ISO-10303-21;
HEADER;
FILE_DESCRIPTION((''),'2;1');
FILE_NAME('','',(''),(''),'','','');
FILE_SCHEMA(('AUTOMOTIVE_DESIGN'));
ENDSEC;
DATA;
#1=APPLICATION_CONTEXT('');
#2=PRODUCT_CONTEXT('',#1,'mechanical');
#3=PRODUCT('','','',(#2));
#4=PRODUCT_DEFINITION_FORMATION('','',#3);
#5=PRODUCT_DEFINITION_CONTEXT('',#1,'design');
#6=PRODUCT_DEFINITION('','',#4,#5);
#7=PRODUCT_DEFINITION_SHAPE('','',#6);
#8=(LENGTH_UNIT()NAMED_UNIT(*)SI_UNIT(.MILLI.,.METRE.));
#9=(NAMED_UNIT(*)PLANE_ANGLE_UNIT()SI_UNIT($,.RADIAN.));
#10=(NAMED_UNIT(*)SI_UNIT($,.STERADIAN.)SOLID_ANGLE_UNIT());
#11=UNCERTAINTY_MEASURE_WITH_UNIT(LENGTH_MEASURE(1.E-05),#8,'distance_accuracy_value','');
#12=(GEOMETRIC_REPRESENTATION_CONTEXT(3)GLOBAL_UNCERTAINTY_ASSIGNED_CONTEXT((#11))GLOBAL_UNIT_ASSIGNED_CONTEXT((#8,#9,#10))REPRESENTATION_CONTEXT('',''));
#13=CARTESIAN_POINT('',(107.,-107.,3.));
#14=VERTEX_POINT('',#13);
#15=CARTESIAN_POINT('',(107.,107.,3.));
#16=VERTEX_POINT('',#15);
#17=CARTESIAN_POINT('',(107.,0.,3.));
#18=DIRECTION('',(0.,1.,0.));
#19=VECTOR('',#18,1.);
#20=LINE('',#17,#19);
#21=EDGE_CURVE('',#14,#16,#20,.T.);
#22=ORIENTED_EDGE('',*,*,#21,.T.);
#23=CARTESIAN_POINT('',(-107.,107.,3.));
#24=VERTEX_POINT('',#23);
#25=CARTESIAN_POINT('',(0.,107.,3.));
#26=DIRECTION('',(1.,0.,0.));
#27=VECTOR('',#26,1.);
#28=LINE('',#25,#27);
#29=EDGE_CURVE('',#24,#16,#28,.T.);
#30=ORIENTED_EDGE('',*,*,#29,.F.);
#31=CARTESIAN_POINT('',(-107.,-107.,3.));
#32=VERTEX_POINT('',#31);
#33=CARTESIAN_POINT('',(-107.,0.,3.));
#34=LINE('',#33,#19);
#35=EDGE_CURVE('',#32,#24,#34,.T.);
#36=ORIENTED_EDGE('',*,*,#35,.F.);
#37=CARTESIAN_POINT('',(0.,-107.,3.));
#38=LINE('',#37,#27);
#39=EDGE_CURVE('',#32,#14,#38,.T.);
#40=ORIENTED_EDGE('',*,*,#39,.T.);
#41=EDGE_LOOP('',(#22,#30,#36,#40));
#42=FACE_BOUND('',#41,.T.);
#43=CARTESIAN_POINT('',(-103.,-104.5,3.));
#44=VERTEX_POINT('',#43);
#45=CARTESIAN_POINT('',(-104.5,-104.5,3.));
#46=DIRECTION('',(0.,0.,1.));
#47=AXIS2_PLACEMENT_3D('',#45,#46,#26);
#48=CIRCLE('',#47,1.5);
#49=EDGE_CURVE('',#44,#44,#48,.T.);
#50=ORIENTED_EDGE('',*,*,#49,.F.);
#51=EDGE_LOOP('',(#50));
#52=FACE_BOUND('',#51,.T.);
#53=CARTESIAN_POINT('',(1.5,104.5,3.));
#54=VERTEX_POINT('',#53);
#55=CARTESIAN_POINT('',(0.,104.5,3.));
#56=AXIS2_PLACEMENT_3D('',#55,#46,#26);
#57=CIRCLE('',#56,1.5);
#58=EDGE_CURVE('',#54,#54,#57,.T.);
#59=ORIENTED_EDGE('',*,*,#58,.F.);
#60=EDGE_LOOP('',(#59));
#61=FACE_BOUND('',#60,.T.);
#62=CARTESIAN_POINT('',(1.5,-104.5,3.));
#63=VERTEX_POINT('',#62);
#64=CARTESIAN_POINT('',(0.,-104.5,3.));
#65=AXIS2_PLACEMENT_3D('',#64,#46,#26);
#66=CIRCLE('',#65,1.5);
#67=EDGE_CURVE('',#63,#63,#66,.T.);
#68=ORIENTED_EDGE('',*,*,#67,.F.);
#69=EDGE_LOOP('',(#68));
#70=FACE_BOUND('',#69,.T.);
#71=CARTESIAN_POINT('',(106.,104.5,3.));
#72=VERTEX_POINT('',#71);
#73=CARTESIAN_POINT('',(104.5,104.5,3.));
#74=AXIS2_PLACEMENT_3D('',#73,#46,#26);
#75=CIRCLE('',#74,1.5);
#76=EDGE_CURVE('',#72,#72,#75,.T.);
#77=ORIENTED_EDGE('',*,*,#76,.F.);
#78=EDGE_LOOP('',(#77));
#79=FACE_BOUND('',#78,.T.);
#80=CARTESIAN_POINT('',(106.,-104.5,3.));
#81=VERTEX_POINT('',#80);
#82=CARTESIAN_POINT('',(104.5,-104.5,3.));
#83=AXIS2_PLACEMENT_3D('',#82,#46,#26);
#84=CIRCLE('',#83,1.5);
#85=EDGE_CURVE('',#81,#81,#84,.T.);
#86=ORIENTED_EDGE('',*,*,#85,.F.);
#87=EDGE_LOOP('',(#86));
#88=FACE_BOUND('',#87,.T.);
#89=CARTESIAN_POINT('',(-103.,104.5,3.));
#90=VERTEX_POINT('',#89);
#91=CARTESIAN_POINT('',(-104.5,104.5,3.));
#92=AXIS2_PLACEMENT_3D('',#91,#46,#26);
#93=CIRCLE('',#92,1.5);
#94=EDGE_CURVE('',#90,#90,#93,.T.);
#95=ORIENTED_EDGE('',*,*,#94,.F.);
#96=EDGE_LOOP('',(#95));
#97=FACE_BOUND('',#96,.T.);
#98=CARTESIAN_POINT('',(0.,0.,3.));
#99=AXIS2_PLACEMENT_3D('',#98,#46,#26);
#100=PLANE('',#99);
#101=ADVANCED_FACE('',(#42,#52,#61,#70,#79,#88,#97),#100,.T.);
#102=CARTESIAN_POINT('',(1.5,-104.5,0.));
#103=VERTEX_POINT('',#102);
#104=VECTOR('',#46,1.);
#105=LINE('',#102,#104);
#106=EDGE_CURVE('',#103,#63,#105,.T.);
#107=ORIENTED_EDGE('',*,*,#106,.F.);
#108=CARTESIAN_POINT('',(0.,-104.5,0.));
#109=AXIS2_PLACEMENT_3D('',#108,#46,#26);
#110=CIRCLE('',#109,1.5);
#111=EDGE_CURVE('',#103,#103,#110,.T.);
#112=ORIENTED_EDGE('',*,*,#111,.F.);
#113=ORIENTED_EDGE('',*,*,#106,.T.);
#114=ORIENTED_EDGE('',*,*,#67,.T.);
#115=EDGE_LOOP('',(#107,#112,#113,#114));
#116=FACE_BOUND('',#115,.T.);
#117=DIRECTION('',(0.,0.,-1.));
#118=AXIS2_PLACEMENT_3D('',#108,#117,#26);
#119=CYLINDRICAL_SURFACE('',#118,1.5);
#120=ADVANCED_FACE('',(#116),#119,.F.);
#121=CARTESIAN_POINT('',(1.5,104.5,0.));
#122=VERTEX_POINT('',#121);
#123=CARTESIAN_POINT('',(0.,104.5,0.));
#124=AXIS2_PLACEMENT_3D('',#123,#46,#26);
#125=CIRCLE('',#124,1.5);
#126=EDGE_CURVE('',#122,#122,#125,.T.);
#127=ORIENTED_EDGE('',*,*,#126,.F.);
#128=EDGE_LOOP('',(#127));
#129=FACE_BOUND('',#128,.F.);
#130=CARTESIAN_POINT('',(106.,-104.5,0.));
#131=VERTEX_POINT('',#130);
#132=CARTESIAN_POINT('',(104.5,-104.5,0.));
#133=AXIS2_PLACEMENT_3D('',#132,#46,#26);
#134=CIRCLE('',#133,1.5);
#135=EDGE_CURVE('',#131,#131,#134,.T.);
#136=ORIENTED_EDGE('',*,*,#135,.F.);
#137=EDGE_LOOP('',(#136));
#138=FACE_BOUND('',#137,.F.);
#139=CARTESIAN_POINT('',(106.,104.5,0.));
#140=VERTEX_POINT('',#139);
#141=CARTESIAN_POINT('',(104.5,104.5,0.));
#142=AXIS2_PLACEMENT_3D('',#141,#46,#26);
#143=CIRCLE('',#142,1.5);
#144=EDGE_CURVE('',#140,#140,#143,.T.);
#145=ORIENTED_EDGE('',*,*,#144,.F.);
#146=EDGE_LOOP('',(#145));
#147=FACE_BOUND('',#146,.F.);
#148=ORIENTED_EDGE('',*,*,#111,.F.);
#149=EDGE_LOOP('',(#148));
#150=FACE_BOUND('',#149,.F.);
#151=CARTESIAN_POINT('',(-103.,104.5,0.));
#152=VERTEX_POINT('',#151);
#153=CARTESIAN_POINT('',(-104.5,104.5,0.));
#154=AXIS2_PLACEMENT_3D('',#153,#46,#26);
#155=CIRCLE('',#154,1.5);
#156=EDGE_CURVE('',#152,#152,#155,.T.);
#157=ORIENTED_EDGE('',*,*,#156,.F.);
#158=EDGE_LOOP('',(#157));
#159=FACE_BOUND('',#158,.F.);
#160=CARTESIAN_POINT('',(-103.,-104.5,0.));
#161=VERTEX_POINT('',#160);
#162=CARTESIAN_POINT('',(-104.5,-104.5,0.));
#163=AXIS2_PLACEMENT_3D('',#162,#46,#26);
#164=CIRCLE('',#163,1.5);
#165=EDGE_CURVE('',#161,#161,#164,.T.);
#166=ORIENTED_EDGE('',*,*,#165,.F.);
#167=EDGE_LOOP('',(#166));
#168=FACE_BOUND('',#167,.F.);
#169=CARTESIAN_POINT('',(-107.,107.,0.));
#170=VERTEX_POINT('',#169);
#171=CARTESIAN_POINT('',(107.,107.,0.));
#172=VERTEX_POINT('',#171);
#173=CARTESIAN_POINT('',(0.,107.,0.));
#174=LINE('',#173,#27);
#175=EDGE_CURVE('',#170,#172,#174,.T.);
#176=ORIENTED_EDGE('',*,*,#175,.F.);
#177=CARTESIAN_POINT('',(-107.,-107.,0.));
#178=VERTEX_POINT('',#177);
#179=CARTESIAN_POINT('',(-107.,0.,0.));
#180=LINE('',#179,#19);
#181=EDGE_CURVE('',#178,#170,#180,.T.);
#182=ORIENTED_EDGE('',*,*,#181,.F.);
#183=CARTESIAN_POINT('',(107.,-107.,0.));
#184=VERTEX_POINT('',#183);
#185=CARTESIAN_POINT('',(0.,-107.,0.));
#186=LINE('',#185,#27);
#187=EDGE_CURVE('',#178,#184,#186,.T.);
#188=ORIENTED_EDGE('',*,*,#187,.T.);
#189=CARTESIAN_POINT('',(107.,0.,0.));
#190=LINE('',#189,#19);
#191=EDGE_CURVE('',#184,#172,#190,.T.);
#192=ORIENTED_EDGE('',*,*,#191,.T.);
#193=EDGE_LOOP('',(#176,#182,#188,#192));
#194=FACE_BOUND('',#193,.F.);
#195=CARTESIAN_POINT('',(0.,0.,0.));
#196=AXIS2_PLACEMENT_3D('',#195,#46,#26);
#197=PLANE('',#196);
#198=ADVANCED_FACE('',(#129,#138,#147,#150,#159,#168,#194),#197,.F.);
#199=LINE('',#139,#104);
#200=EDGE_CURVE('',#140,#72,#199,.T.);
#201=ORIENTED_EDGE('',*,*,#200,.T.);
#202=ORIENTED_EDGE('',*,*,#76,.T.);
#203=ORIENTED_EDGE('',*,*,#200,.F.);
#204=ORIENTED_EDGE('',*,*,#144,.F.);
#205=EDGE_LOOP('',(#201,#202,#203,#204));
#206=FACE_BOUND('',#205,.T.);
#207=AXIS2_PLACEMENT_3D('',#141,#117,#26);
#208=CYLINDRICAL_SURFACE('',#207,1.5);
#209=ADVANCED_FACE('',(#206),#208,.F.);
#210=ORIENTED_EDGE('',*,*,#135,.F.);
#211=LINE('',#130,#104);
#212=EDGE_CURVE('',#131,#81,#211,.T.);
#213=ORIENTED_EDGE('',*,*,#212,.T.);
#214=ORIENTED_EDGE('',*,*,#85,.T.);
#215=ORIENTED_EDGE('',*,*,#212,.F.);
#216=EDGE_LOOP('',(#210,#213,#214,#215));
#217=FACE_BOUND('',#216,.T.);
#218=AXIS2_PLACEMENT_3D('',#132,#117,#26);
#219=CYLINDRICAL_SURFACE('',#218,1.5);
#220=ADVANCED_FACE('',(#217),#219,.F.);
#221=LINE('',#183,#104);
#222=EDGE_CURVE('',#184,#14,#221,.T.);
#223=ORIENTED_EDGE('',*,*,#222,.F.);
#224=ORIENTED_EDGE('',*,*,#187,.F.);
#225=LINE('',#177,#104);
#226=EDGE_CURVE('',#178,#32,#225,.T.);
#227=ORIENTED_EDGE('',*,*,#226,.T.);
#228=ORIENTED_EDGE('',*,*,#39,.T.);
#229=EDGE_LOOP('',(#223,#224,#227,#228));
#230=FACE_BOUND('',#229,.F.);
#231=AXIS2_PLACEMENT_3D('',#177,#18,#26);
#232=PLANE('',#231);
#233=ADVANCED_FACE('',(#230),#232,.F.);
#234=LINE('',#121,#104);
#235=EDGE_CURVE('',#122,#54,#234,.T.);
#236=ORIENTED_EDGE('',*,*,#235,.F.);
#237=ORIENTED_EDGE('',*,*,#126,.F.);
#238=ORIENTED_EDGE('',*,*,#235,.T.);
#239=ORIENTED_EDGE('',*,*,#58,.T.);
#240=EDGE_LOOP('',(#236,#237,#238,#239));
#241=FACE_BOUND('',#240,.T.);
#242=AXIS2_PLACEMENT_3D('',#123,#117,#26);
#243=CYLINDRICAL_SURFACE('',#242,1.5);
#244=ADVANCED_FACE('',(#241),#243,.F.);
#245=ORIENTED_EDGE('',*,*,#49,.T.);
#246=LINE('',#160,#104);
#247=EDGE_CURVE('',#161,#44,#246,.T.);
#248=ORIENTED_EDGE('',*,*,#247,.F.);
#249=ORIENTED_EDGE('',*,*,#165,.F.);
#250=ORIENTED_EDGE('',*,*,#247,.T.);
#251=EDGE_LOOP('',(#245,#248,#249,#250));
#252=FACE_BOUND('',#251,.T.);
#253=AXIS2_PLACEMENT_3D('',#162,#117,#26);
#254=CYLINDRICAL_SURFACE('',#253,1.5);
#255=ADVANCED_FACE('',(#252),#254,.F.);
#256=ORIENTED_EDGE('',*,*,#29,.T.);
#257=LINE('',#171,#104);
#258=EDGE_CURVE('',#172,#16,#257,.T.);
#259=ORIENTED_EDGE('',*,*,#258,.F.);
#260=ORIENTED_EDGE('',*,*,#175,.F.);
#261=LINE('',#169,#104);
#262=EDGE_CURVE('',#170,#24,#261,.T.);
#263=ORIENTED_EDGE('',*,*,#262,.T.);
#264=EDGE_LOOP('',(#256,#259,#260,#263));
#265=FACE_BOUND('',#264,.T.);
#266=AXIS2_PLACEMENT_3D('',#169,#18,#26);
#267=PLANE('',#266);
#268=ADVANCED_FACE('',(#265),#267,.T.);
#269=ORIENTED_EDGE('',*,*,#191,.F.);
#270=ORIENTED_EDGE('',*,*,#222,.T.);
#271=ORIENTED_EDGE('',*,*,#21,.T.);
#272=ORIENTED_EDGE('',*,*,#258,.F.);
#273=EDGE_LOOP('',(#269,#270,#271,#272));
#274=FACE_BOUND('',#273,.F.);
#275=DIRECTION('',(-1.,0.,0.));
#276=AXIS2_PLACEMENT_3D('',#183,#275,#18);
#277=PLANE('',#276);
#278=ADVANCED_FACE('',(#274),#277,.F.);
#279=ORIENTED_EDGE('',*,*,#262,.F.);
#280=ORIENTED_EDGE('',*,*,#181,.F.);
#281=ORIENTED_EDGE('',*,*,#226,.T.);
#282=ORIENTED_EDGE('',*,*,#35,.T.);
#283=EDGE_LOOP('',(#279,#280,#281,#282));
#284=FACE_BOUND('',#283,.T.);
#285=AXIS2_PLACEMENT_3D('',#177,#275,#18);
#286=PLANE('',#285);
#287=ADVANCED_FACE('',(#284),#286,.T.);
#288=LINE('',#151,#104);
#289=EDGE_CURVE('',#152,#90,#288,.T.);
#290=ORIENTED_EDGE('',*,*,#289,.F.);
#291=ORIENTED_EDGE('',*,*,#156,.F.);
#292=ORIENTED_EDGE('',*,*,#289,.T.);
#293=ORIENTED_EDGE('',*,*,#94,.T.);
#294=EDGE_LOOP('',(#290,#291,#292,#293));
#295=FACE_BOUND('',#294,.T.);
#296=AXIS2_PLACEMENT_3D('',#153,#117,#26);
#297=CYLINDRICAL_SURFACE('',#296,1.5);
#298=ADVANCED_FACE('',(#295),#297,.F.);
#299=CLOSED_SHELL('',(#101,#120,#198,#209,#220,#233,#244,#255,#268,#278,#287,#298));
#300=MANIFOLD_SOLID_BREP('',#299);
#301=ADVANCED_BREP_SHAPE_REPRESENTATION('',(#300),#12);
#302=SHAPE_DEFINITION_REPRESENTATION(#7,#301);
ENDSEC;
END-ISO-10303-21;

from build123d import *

# Parameters (mm, degrees)
F0_W     = 214
F0_H     = 214
F0_R     = 1.5
F1_DEPTH = 3


with BuildPart() as f1:
    # F0 (on Top) → F1 (new body)
    with BuildSketch(Plane.XY):
        Rectangle(F0_W, F0_H)
        with Locations((-104.5, -104.5)):
            Circle(F0_R, mode=Mode.SUBTRACT)
        with Locations((0, -104.5)):
            Circle(F0_R, mode=Mode.SUBTRACT)
        with Locations((104.5, -104.5)):
            Circle(F0_R, mode=Mode.SUBTRACT)
        with Locations((-104.5, 104.5)):
            Circle(F0_R, mode=Mode.SUBTRACT)
        with Locations((0, 104.5)):
            Circle(F0_R, mode=Mode.SUBTRACT)
        with Locations((104.5, 104.5)):
            Circle(F0_R, mode=Mode.SUBTRACT)
    extrude(amount=F1_DEPTH)


solid = f1.part
